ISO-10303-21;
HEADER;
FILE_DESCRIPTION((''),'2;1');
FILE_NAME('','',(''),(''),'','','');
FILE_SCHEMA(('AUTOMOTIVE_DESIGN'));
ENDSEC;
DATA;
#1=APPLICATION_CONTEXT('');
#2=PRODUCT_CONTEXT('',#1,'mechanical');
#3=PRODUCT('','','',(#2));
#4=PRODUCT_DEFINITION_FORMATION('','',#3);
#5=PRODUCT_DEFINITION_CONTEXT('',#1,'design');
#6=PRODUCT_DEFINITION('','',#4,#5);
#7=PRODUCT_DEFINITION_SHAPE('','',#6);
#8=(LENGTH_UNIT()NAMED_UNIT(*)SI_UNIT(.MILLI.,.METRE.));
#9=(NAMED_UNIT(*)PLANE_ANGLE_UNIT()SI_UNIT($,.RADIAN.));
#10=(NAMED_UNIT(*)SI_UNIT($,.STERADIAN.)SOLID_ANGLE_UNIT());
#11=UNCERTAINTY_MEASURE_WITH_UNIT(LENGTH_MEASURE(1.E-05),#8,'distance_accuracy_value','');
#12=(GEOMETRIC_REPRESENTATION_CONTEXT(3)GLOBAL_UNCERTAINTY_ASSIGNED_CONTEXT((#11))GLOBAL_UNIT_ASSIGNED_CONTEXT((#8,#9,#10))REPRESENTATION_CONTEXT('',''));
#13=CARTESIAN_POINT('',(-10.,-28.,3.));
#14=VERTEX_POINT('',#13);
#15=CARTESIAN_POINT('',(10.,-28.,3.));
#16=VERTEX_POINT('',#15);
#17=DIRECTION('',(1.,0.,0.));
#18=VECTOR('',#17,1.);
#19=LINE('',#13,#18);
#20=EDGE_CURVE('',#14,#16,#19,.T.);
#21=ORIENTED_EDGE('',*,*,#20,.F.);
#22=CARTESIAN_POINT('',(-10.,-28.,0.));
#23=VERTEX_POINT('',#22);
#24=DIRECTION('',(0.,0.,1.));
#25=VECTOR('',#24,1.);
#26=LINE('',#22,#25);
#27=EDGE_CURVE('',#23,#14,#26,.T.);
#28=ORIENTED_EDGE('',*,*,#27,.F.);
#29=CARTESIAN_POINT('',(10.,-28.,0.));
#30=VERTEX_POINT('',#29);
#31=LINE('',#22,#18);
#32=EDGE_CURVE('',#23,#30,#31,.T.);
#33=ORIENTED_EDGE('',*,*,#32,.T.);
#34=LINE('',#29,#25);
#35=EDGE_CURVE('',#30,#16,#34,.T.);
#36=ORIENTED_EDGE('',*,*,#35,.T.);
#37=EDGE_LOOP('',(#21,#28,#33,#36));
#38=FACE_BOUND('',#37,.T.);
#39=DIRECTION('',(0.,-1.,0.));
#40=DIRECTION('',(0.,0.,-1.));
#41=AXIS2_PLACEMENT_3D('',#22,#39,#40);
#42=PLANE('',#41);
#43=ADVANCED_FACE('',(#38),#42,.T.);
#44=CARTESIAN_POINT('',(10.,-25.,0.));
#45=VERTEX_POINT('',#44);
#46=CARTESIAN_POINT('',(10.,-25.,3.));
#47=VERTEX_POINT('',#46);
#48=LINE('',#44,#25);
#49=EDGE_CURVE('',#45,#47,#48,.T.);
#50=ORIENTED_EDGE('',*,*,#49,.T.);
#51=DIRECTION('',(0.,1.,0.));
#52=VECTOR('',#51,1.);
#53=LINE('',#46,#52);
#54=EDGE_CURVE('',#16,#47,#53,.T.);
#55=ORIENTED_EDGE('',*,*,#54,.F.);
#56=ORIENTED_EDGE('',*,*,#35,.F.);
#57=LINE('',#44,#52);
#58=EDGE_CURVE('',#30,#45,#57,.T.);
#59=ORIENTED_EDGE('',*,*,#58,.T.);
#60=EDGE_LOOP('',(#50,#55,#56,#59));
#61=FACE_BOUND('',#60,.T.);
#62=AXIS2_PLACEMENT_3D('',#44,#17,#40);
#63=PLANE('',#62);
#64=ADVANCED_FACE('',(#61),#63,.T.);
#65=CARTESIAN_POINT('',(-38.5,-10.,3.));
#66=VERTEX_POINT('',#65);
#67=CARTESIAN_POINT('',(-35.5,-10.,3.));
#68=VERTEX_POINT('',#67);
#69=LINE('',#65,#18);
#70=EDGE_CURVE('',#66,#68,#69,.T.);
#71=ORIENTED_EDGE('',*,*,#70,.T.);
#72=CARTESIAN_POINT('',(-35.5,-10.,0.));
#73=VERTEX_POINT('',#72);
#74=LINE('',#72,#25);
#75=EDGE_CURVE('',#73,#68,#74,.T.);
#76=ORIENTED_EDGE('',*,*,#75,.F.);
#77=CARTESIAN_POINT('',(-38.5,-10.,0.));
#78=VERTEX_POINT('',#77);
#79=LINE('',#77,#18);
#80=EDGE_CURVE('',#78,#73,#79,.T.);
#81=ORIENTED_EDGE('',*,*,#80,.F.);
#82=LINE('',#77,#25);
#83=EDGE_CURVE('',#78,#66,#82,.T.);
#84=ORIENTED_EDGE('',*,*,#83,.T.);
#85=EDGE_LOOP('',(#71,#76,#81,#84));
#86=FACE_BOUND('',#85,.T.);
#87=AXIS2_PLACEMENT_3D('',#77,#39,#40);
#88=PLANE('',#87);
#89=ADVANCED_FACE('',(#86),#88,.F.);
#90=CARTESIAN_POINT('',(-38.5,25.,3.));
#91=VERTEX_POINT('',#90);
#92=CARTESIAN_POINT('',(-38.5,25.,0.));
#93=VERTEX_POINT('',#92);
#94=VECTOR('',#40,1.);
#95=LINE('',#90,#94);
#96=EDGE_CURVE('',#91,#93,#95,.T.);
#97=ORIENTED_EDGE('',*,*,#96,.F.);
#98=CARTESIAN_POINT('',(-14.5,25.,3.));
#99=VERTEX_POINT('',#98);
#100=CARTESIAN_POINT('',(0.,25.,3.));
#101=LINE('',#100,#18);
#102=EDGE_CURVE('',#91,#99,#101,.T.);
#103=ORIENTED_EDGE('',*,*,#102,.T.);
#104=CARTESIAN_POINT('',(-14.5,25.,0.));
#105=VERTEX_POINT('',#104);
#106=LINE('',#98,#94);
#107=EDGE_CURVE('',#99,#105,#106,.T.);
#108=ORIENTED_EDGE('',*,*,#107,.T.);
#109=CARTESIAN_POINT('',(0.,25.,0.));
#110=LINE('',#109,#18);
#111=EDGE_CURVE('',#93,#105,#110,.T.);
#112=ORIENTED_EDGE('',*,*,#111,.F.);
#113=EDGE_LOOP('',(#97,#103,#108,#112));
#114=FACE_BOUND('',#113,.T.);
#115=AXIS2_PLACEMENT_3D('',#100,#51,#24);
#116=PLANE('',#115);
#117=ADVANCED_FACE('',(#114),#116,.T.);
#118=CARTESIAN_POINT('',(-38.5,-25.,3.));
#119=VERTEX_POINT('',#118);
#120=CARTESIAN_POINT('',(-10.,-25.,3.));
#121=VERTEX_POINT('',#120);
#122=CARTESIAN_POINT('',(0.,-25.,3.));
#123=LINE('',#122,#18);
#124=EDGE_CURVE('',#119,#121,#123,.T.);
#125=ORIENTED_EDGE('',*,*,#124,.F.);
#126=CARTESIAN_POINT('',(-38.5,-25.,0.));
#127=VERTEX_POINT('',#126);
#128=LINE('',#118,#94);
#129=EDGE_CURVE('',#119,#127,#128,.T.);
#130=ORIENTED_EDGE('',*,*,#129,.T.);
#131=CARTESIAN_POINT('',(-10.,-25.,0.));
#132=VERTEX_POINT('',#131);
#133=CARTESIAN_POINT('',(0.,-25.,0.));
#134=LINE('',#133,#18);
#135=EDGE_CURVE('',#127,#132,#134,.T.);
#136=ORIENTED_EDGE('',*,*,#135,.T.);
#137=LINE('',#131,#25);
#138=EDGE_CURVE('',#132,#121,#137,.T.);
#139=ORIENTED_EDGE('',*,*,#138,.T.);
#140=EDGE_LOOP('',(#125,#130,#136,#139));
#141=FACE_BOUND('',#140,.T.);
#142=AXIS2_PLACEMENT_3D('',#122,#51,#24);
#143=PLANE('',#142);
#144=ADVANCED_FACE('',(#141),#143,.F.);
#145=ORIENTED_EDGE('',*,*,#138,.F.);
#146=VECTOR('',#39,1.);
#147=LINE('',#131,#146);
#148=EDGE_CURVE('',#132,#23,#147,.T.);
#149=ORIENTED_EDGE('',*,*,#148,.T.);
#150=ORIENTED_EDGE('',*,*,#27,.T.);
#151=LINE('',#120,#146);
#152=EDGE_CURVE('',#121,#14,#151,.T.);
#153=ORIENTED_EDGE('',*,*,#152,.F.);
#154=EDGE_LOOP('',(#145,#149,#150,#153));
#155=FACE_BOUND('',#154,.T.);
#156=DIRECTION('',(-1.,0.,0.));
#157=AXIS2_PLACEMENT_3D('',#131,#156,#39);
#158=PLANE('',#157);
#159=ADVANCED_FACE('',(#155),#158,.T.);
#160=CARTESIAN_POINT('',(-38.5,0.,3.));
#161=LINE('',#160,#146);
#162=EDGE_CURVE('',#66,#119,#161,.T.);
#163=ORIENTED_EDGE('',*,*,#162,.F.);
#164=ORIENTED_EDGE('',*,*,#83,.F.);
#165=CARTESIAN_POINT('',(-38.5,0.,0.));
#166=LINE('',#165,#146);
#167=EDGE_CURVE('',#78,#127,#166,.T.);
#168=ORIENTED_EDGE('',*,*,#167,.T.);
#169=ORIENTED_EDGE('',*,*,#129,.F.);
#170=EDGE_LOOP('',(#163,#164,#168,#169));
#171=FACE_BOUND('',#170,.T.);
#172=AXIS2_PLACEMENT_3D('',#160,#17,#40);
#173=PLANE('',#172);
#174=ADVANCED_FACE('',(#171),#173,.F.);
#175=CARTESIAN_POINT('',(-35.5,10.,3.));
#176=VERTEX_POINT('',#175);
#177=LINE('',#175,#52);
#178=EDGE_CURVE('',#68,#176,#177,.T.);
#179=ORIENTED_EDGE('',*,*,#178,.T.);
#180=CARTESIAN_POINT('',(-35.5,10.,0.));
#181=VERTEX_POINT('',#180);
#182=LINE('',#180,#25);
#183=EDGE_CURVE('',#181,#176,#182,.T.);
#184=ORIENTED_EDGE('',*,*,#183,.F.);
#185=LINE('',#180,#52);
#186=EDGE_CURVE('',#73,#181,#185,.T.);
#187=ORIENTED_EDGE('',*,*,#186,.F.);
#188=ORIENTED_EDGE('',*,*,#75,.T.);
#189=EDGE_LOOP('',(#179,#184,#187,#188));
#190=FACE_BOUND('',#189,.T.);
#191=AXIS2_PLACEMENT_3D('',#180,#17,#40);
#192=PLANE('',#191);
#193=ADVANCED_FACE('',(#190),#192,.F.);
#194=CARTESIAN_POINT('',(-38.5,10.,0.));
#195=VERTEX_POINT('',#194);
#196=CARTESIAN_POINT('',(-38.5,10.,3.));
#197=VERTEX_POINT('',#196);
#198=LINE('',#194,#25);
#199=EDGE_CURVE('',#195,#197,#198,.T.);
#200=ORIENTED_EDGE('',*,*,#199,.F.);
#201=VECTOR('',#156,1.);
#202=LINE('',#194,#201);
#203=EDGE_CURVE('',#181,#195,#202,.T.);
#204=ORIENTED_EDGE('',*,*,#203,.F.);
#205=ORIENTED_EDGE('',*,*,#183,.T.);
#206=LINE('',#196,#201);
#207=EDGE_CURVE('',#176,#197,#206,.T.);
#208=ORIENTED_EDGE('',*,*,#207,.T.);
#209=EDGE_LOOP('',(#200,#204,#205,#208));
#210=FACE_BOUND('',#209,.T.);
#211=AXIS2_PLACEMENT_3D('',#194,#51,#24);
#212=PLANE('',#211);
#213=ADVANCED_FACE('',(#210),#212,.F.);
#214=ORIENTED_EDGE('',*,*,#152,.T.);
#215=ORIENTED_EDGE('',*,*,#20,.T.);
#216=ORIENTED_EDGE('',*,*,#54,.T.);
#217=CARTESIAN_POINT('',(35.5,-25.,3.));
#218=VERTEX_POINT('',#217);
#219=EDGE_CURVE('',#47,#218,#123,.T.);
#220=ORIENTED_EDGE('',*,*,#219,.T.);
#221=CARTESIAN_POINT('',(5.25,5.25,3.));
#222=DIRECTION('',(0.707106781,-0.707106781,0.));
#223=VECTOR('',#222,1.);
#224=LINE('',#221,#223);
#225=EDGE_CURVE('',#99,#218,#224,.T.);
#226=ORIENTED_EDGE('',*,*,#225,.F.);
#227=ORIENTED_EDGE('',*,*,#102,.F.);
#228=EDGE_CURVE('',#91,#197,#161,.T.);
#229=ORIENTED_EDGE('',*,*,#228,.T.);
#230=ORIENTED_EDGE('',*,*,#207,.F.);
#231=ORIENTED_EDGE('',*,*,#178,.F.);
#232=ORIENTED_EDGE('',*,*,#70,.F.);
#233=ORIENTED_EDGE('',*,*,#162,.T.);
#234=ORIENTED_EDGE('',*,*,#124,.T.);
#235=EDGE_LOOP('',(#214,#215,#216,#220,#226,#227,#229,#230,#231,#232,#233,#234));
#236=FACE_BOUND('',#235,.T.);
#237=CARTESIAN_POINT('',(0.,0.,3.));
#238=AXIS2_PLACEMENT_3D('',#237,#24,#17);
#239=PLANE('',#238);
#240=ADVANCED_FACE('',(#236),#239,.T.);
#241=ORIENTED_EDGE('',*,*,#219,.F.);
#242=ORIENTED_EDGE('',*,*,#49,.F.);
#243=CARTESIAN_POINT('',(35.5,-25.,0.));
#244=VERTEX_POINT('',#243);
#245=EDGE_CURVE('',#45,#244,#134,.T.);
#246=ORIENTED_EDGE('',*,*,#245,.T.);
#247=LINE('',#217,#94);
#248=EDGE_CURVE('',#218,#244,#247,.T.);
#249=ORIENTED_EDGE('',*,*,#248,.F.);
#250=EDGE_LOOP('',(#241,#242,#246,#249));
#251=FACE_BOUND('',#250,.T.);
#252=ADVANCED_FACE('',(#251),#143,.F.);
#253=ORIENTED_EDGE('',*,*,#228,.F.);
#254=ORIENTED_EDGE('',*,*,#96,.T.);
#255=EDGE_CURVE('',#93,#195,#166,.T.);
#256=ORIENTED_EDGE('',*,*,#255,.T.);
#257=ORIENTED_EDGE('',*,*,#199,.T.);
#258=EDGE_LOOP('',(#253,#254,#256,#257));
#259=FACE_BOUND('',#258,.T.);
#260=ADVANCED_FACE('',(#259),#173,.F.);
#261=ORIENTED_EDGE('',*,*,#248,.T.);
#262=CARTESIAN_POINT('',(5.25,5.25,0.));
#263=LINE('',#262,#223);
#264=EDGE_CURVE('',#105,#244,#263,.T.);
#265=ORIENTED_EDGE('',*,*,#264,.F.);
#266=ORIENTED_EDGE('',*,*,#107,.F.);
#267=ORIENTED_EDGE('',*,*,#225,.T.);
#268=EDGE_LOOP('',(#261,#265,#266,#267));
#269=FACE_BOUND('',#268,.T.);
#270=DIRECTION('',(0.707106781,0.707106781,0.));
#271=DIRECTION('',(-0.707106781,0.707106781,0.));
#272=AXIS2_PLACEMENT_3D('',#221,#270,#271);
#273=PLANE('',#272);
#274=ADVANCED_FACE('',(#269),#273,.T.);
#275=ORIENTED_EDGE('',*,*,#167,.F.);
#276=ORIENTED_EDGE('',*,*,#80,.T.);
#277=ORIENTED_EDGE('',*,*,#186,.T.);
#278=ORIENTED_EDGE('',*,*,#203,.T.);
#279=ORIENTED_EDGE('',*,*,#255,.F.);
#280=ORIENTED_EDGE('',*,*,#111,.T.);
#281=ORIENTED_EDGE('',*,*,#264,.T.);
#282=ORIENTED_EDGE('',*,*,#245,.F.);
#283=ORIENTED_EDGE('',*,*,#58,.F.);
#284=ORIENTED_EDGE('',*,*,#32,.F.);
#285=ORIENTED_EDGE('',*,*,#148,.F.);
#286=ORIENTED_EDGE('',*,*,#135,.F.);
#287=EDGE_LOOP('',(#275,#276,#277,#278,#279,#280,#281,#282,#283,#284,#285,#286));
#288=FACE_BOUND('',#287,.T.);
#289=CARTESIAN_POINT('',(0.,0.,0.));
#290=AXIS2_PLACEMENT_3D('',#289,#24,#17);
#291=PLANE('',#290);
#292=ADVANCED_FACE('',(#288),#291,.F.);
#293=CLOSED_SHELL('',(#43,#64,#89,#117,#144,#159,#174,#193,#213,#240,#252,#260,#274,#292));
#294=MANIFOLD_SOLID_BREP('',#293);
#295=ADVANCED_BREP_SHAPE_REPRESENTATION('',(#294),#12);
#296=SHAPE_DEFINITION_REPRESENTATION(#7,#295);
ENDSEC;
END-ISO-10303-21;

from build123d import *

# Parameters (mm, degrees)
SALIENTE_EXTRUIR1_DEPTH = 3
CROQUIS4_W              = 20
CROQUIS4_H              = 3
SALIENTE_EXTRUIR3_DEPTH = 3
CROQUIS5_W              = 3
CROQUIS5_H              = 20
CORTAR_EXTRUIR1_DEPTH   = 3


with BuildPart() as part:
    # Croquis1 → Saliente-Extruir1 (new body)
    with BuildSketch(Plane.XY):
        Polygon((35.5, -25), (-14.5, 25), (-38.5, 25), (-38.5, -25), align=None)
    extrude(amount=SALIENTE_EXTRUIR1_DEPTH)

    # Croquis4 → Saliente-Extruir3 (add)
    with BuildSketch(Plane.XY.offset(3)):
        with Locations((0, -26.5)):
            Rectangle(CROQUIS4_W, CROQUIS4_H)
    extrude(amount=-SALIENTE_EXTRUIR3_DEPTH)

    # Croquis5 → Cortar-Extruir1 (cut)
    with BuildSketch(Plane.XY.offset(3)):
        with Locations((-37, 0)):
            Rectangle(CROQUIS5_W, CROQUIS5_H)
    extrude(amount=-CORTAR_EXTRUIR1_DEPTH, mode=Mode.SUBTRACT)


solid = part.part
